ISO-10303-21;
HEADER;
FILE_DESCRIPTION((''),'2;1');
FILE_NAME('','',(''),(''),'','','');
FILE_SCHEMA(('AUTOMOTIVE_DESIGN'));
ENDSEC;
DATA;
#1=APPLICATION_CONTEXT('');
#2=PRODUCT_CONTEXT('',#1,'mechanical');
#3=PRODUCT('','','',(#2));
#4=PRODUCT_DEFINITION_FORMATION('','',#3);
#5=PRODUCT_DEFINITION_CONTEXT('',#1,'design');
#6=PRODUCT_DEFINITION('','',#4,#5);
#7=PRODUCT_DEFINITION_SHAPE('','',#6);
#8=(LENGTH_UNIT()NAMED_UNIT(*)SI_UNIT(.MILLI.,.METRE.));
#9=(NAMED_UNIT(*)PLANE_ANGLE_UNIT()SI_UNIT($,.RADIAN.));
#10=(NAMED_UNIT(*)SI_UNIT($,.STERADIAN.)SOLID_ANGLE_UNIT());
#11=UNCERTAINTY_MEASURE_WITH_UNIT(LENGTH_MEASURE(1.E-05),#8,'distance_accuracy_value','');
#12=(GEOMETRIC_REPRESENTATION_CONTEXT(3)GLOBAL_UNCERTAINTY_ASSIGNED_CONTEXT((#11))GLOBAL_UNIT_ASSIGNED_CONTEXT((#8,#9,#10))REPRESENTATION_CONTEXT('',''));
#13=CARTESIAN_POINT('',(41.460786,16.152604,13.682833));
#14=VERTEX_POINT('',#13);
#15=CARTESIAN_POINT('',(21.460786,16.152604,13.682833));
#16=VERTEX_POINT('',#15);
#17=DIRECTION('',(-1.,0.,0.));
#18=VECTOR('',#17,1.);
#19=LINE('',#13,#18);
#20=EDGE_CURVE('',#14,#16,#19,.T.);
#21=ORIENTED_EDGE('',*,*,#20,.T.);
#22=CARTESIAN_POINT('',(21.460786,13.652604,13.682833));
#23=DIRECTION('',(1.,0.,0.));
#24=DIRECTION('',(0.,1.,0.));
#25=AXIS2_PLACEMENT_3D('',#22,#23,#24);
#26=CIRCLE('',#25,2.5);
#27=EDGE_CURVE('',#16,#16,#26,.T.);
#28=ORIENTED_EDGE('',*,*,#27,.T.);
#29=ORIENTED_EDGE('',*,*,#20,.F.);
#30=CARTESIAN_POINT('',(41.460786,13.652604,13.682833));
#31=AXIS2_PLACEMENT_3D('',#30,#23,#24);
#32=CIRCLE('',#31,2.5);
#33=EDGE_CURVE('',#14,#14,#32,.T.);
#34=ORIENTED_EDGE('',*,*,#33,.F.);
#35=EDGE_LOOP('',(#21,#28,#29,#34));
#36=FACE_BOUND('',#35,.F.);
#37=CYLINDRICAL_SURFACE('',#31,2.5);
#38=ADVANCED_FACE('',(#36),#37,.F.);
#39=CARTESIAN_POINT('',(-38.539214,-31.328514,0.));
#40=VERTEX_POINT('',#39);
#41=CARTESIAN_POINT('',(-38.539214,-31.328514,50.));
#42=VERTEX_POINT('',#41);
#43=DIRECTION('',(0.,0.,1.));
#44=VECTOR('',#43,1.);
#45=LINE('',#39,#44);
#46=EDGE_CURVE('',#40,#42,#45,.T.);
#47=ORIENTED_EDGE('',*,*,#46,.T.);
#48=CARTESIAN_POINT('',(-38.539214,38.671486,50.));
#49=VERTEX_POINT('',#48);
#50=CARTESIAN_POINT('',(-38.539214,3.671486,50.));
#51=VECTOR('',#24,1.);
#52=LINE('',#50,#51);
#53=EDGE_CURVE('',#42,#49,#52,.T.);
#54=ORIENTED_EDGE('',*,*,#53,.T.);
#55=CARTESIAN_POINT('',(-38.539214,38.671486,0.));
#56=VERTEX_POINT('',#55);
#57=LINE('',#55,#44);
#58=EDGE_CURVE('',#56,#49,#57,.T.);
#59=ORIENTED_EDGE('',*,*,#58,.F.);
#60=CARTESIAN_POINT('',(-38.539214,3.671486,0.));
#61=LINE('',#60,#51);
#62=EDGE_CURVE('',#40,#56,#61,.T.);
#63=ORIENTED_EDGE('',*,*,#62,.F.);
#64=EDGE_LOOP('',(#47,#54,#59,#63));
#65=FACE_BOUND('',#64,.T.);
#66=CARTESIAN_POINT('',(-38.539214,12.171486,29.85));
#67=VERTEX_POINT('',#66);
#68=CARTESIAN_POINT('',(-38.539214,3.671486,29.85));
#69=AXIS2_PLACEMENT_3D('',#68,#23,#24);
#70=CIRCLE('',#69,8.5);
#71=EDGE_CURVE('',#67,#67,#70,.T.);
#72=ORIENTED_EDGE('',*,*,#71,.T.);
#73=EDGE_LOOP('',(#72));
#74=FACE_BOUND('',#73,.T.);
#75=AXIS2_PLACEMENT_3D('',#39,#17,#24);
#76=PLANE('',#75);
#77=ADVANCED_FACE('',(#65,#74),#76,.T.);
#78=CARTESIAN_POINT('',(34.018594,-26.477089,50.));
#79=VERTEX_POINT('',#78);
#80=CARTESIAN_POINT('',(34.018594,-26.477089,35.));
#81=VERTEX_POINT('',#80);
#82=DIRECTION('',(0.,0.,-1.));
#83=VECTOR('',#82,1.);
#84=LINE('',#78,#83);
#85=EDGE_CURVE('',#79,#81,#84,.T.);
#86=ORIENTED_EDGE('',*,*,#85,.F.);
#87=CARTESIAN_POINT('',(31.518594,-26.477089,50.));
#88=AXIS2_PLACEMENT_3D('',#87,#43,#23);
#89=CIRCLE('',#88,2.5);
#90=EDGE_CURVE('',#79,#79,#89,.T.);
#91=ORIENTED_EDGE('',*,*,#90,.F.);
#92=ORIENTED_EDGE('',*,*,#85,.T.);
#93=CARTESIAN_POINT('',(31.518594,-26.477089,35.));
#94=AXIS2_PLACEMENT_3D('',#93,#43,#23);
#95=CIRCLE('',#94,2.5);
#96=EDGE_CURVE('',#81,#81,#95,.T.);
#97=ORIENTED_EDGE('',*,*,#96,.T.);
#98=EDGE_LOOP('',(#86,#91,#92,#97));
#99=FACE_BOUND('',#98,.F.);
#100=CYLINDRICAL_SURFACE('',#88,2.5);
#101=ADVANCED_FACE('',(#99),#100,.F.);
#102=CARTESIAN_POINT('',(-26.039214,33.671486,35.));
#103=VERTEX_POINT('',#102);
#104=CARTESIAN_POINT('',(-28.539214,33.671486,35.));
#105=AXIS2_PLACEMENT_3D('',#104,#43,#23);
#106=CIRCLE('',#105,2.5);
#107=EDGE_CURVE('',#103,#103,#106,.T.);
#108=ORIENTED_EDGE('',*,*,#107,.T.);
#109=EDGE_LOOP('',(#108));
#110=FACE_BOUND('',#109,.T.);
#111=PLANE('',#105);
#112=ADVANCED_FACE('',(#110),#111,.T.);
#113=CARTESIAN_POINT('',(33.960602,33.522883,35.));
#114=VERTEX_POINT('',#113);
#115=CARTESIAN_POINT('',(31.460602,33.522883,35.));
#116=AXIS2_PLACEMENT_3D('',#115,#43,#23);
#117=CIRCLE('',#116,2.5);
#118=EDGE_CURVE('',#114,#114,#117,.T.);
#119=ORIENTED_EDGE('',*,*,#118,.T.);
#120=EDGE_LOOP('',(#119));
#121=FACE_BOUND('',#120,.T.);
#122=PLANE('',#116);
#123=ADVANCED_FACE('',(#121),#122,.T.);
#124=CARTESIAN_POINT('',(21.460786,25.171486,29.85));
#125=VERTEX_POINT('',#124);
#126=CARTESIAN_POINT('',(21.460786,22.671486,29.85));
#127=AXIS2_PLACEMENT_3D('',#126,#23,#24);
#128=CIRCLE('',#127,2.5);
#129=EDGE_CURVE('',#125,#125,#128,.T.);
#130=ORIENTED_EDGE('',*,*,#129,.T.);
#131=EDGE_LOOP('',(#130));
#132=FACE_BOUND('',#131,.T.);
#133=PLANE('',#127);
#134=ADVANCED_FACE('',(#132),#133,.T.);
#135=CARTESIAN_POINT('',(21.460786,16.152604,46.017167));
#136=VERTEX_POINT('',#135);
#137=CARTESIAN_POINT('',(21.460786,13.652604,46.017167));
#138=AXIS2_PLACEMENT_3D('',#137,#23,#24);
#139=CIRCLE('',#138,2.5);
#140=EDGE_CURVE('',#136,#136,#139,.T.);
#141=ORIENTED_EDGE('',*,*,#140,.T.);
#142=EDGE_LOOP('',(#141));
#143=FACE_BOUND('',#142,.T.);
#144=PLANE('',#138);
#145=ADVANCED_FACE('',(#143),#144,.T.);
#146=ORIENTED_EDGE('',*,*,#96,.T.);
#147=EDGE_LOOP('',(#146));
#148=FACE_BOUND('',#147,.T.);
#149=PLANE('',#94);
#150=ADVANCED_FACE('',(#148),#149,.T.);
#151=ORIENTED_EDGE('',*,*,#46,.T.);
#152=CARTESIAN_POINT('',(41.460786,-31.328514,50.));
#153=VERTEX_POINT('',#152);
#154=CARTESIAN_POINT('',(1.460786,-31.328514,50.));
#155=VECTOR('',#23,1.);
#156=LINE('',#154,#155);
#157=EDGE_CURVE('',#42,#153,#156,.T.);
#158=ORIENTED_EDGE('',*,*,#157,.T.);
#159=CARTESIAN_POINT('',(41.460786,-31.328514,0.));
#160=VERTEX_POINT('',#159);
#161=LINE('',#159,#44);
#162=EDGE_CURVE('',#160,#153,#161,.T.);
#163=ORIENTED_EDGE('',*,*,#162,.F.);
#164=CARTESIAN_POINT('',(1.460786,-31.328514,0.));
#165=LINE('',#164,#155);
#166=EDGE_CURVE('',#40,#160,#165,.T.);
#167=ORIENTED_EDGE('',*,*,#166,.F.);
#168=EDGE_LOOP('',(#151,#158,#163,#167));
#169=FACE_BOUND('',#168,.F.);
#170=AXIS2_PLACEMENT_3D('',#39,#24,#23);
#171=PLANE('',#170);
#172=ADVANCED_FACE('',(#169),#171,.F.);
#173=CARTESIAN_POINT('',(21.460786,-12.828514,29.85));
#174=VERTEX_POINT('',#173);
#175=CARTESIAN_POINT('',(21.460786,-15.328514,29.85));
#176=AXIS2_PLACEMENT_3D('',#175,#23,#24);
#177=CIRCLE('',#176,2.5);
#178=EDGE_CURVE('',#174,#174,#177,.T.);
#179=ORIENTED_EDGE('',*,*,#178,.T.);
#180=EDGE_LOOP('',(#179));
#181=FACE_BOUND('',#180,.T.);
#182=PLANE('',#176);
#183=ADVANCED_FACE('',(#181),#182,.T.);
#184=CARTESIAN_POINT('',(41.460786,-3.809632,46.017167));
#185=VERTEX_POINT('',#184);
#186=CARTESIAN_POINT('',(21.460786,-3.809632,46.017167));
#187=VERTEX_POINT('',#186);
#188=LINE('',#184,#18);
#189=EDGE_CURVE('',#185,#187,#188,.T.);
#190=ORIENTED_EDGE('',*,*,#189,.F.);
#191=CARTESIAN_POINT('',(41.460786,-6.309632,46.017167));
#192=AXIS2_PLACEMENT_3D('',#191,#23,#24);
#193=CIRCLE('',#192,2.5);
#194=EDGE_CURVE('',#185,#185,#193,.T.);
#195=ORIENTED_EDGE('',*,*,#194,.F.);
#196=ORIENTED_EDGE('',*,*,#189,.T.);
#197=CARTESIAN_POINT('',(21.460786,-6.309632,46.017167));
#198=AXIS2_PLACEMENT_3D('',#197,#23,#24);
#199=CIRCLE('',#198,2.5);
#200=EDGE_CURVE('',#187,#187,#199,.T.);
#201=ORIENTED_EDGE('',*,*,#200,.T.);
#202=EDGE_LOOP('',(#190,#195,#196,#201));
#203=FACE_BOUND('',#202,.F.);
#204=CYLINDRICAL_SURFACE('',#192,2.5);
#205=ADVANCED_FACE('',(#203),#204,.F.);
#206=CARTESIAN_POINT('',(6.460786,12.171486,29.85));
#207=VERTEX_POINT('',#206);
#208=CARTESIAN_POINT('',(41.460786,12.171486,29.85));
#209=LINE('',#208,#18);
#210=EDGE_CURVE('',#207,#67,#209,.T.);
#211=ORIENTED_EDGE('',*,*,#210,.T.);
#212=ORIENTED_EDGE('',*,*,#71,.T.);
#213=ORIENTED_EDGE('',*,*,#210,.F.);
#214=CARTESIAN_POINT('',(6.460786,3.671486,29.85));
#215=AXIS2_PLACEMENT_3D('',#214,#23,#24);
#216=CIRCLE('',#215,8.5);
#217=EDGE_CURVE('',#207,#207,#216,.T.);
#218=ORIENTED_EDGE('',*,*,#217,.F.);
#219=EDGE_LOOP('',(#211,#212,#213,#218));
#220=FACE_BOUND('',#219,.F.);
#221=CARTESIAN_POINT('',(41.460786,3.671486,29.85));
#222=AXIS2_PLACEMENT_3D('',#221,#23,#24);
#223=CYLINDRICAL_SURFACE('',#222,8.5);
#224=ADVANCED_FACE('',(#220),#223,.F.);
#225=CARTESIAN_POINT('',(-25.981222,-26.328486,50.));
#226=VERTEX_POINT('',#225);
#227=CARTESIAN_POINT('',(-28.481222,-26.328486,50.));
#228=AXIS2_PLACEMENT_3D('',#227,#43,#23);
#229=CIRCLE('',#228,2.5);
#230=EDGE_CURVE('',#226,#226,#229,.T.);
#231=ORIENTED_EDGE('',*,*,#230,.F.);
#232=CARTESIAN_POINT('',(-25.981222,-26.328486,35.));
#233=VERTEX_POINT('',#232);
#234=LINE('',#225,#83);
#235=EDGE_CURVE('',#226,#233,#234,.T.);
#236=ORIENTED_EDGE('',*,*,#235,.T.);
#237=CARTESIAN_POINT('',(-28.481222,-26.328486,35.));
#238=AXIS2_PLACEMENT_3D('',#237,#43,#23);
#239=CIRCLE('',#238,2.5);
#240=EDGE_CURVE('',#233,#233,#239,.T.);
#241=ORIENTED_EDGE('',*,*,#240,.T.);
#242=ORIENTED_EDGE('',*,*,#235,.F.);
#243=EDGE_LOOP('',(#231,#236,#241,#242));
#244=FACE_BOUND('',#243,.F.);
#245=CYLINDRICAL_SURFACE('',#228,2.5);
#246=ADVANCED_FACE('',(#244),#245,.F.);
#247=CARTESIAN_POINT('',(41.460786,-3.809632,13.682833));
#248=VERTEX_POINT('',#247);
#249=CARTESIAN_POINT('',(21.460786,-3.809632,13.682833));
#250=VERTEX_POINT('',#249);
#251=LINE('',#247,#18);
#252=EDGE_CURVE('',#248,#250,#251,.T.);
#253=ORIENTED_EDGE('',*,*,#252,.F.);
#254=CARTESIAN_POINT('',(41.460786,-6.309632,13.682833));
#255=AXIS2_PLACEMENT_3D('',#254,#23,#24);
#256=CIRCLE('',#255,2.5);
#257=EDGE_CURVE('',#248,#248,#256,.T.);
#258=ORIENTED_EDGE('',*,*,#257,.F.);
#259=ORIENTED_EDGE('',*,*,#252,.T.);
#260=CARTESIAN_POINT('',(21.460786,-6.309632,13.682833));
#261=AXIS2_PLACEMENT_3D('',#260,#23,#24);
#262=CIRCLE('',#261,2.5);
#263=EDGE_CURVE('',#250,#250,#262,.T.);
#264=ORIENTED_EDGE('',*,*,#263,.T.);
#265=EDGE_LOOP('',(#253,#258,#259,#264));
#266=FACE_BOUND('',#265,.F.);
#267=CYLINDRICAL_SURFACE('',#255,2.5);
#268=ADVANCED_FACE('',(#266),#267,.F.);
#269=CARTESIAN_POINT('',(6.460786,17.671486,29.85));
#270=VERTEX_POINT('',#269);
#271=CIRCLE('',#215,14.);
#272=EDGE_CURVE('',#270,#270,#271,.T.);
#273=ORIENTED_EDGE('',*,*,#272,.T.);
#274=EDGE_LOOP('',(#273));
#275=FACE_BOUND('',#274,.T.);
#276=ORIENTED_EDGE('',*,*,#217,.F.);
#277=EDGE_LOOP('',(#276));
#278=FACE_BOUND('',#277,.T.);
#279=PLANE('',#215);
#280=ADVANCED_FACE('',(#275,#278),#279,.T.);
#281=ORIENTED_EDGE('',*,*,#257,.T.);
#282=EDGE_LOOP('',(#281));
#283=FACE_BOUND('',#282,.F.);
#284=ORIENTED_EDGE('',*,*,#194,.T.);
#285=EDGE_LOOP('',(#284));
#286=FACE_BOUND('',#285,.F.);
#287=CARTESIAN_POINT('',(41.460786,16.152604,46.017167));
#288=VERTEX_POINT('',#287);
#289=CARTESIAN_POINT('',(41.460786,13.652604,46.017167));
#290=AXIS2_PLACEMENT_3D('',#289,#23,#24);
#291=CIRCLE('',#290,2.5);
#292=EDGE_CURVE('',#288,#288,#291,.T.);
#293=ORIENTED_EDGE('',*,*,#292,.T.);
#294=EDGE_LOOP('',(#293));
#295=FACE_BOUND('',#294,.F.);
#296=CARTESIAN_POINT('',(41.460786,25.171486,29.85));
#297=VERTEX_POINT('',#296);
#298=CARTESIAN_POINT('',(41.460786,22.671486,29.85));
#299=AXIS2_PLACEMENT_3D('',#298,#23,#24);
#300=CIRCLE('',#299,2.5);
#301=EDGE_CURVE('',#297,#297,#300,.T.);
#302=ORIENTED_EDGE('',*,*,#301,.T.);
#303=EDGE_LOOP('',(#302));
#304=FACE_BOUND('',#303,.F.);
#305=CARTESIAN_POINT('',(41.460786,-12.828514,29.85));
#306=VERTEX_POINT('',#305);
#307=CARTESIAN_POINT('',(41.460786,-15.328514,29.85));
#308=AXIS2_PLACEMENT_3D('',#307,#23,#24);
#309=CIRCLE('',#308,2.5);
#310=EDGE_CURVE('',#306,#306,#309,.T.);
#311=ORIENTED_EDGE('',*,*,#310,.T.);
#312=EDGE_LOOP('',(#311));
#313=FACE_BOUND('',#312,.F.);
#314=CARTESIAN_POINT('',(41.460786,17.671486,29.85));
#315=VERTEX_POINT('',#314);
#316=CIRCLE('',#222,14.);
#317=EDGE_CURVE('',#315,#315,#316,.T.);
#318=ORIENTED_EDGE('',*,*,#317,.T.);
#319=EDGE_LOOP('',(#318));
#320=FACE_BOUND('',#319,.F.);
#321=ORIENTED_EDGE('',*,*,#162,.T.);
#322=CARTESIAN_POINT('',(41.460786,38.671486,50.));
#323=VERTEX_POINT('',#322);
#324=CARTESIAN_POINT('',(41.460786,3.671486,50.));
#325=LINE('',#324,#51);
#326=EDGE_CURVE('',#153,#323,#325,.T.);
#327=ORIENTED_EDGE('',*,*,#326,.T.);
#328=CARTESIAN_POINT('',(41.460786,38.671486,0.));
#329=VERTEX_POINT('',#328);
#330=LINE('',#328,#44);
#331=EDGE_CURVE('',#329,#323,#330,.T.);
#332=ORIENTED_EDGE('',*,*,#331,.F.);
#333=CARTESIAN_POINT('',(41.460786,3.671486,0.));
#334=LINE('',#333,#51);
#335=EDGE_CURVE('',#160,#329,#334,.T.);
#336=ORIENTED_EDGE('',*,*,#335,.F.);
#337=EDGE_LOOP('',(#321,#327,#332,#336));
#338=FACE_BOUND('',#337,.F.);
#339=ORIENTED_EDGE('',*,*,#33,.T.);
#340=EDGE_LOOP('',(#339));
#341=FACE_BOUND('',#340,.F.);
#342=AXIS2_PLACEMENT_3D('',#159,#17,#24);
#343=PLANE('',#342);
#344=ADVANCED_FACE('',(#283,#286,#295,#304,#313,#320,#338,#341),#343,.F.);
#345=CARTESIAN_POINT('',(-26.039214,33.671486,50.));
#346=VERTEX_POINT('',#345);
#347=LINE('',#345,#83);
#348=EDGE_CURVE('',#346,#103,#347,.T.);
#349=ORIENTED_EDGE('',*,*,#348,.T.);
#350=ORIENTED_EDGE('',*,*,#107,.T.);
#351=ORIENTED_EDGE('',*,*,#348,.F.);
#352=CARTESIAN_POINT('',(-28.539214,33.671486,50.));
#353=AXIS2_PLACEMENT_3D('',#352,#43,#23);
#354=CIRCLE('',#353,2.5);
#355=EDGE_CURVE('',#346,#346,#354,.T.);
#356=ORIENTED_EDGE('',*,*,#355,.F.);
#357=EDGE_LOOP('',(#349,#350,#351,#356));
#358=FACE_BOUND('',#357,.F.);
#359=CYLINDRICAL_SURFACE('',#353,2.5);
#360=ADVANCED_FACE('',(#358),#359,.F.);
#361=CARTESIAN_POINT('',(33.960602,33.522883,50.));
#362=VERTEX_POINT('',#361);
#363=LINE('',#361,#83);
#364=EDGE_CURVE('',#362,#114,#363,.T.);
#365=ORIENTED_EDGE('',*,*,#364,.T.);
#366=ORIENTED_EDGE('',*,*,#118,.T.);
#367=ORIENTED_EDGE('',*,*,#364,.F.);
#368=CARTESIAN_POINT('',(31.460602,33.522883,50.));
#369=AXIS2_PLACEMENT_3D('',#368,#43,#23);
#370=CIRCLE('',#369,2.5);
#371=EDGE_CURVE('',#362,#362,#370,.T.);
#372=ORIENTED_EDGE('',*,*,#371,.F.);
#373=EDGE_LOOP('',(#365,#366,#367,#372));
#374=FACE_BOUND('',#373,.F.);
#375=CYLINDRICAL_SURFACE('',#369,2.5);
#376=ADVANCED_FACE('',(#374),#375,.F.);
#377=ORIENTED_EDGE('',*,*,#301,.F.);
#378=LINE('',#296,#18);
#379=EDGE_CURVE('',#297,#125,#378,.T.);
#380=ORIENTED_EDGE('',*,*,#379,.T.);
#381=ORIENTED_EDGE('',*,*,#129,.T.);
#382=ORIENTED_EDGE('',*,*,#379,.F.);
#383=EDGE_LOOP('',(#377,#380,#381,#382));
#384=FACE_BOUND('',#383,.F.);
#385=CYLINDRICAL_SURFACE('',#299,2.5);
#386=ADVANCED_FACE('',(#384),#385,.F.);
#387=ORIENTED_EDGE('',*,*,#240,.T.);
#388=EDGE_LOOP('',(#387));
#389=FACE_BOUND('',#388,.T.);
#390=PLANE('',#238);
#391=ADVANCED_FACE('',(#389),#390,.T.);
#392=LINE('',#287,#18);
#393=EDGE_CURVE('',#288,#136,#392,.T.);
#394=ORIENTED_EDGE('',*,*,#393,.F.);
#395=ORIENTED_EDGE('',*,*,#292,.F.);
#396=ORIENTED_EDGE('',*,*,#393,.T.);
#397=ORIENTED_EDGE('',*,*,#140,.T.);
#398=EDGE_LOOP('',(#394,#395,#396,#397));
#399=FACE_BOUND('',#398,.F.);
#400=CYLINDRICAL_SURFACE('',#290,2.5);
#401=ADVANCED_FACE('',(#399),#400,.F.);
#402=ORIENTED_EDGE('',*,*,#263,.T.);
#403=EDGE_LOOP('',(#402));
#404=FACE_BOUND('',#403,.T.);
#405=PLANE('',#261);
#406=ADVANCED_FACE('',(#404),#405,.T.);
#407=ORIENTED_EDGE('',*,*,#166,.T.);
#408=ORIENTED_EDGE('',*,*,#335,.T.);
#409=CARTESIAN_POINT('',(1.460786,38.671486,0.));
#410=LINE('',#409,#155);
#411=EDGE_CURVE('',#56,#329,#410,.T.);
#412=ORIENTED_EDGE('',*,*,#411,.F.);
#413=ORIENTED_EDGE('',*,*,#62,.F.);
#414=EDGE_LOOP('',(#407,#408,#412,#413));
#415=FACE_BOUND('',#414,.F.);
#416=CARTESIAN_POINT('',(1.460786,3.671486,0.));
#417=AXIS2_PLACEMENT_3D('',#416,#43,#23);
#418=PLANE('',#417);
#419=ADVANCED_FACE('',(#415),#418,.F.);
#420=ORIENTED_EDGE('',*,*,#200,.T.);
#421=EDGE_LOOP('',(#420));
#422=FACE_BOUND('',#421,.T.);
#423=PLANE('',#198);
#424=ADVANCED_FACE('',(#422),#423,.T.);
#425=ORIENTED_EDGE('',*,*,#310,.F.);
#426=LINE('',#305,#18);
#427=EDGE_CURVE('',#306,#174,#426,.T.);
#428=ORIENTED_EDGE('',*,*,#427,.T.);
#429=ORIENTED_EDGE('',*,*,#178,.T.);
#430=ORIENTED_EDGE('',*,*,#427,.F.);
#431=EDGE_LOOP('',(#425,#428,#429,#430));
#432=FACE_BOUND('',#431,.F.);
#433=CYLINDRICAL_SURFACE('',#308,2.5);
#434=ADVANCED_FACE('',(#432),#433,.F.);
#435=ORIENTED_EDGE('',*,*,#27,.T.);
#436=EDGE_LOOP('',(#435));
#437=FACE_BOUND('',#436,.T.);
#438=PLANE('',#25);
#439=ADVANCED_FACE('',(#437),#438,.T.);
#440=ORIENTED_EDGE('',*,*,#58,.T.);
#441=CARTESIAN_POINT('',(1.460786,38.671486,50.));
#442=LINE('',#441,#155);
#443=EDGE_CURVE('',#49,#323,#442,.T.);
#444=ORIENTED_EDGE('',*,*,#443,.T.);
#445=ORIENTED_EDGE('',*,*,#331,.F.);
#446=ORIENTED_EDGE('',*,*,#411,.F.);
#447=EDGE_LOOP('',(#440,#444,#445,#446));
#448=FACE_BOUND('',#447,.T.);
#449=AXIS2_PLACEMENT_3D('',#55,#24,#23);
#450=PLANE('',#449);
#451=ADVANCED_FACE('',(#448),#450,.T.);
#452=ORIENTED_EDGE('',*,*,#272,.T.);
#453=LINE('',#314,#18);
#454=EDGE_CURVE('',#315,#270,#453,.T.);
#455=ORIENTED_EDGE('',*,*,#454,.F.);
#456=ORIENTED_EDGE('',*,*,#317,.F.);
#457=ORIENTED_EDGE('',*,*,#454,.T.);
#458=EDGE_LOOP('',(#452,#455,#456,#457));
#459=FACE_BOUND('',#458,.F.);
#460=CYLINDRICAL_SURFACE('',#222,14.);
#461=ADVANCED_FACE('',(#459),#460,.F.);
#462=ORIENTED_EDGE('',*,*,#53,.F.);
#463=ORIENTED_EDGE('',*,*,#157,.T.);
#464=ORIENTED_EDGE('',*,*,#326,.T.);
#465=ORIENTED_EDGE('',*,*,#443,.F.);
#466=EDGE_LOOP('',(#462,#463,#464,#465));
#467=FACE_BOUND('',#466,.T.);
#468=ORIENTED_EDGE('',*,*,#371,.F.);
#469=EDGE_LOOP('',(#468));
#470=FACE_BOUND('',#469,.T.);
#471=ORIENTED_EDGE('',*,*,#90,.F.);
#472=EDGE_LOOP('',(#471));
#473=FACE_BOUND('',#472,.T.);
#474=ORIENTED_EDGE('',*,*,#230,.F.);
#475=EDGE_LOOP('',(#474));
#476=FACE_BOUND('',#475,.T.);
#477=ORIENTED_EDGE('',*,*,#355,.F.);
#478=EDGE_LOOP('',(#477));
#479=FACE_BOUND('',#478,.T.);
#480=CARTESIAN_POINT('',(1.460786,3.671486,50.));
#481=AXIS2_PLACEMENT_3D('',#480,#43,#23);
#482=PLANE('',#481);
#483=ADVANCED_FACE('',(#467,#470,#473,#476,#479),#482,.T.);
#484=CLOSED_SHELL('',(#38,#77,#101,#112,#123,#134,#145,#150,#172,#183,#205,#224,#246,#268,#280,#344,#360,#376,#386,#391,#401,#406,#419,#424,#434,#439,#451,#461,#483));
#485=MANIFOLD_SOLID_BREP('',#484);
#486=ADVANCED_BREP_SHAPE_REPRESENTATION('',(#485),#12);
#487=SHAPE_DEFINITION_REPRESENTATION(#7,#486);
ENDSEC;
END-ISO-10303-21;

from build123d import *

# Parameters (mm, degrees)
F0_W     = 80
F0_H     = 70
F1_DEPTH = 50
F2_R     = 2.5
F3_DEPTH = 15
F4_R     = 8.5
F5_DEPTH = 92.7
F4_R_2   = 14
F6_DEPTH = 35
F4_R_3   = 2.5
F7_DEPTH = 20


with BuildPart() as f1:
    # F0 (on Top) → F1 (new body)
    with BuildSketch(Plane.XY):
        with Locations((1.460786, 3.671486)):
            Rectangle(F0_W, F0_H)
    extrude(amount=F1_DEPTH)

    # F2 (on face) → F3 (cut)
    with BuildSketch(Plane.XY.offset(50)):
        with Locations((-28.539214, 33.671486)):
            Circle(F2_R)
        with Locations((-28.481222, -26.328486)):
            Circle(F2_R)
        with Locations((31.460602, 33.522883)):
            Circle(F2_R)
        with Locations((31.518594, -26.477089)):
            Circle(F2_R)
    extrude(amount=-F3_DEPTH, mode=Mode.SUBTRACT)

    # F4 (on face) → F5 (cut)
    with BuildSketch(Plane.YZ.offset(41.460786)):
        with Locations((3.671486, 29.85)):
            Circle(F4_R)
    extrude(amount=-F5_DEPTH, mode=Mode.SUBTRACT)

    # F4 (on face) → F6 (cut)
    with BuildSketch(Plane.YZ.offset(41.460786)):
        with Locations((3.671486, 29.85)):
            Circle(F4_R_2)
        with Locations((3.671486, 29.85)):
            Circle(F4_R, mode=Mode.SUBTRACT)
    extrude(amount=-F6_DEPTH, mode=Mode.SUBTRACT)

    # F4 (on face) → F7 (cut)
    with BuildSketch(Plane.YZ.offset(41.460786)):
        with Locations((-6.309632, 46.017167)):
            Circle(F4_R_3)
        with Locations((-15.328514, 29.85)):
            Circle(F4_R_3)
        with Locations((-6.309632, 13.682833)):
            Circle(F4_R_3)
        with Locations((13.652604, 13.682833)):
            Circle(F4_R_3)
        with Locations((22.671486, 29.85)):
            Circle(F4_R_3)
        with Locations((13.652604, 46.017167)):
            Circle(F4_R_3)
    extrude(amount=-F7_DEPTH, mode=Mode.SUBTRACT)


solid = f1.part
